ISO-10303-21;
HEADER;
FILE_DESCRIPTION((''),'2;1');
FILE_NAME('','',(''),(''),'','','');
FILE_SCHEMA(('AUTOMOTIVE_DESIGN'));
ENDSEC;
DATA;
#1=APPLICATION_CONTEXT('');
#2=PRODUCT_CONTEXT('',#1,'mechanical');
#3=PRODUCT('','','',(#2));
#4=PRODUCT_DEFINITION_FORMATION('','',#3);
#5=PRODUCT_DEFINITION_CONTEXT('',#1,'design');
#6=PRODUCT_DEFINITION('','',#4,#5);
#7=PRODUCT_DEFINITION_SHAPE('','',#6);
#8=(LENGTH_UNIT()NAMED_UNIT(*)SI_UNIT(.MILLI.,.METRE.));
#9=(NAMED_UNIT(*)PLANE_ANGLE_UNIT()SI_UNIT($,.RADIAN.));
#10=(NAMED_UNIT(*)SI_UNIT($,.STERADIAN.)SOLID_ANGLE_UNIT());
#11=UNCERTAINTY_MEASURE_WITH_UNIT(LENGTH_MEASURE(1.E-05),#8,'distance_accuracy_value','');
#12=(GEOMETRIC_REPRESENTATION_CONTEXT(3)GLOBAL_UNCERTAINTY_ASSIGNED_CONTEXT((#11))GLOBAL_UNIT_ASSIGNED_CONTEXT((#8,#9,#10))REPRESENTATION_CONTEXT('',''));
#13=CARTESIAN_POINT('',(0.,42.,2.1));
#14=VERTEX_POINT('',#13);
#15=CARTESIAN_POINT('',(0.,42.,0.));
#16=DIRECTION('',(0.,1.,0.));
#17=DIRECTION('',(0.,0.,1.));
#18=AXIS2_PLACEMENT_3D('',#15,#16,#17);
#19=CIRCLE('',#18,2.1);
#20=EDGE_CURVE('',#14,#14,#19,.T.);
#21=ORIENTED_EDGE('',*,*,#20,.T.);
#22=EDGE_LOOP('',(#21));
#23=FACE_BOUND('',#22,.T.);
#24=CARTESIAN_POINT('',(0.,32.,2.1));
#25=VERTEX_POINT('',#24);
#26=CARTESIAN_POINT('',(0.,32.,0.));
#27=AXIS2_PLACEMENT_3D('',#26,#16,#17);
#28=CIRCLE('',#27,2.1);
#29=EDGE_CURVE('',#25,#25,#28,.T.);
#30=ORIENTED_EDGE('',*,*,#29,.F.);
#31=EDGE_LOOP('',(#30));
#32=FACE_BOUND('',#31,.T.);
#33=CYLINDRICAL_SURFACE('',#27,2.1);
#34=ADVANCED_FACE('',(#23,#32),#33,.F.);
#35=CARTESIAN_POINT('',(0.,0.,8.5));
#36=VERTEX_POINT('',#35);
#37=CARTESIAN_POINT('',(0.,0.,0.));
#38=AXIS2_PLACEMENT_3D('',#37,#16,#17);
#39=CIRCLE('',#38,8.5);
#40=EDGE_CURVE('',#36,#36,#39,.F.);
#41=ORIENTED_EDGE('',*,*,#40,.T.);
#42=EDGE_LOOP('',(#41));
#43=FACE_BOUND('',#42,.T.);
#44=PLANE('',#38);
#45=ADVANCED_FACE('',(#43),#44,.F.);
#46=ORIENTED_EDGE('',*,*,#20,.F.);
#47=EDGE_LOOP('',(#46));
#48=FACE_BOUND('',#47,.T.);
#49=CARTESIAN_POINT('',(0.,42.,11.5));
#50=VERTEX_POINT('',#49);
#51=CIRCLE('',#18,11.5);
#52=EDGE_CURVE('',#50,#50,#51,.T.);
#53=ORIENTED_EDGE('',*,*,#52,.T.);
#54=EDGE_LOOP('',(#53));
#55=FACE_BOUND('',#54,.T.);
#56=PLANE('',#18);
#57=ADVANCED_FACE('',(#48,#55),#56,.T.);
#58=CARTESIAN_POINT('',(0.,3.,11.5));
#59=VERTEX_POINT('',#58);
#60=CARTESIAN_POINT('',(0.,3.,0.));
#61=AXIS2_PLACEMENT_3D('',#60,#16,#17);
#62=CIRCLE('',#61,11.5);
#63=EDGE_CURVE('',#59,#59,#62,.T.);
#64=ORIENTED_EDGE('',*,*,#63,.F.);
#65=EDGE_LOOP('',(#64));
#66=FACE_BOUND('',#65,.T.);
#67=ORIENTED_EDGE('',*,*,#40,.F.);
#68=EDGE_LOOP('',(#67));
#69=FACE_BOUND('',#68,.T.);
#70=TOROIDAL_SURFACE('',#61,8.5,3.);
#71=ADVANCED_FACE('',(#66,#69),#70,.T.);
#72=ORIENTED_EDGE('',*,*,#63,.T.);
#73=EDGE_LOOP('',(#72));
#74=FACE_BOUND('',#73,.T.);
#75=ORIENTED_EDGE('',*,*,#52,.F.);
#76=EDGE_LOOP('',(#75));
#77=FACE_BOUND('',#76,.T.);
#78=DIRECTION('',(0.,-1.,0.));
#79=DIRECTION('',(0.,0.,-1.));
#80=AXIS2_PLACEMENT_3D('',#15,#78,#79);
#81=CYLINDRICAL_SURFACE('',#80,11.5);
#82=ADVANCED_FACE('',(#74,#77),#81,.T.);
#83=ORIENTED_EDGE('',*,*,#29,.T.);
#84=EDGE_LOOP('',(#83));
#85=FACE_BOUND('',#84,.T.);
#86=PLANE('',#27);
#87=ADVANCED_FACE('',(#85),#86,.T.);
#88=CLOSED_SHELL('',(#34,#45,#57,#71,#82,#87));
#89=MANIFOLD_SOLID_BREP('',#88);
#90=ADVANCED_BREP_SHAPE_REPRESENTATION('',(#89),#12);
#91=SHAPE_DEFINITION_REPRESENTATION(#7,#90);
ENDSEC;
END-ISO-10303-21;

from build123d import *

# Parameters (mm, degrees)
SKETCH1_R           = 11.5
BOSS_EXTRUDE1_DEPTH = 42
FILLET1_R           = 3
SKETCH3_R           = 2.1
CUT_EXTRUDE1_DEPTH  = 10


with BuildPart() as part:
    # Sketch1 → Boss-Extrude1 (new body)
    with BuildSketch(Plane(origin=(0, 0, 0), x_dir=(1, 0, 0), z_dir=(0, 1, 0))):
        Circle(SKETCH1_R)
    extrude(amount=BOSS_EXTRUDE1_DEPTH)

    # Fillet1
    fillet1_edges = [part.edges().sort_by_distance(p)[0] for p in [
        (-11.5, 0, 0),
    ]]
    fillet(fillet1_edges, radius=FILLET1_R)

    # Sketch3 → Cut-Extrude1 (cut)
    with BuildSketch(Plane(origin=(0, 42, 0), x_dir=(1, 0, 0), z_dir=(0, 1, 0))):
        Circle(SKETCH3_R)
    extrude(amount=-CUT_EXTRUDE1_DEPTH, mode=Mode.SUBTRACT)


solid = part.part
